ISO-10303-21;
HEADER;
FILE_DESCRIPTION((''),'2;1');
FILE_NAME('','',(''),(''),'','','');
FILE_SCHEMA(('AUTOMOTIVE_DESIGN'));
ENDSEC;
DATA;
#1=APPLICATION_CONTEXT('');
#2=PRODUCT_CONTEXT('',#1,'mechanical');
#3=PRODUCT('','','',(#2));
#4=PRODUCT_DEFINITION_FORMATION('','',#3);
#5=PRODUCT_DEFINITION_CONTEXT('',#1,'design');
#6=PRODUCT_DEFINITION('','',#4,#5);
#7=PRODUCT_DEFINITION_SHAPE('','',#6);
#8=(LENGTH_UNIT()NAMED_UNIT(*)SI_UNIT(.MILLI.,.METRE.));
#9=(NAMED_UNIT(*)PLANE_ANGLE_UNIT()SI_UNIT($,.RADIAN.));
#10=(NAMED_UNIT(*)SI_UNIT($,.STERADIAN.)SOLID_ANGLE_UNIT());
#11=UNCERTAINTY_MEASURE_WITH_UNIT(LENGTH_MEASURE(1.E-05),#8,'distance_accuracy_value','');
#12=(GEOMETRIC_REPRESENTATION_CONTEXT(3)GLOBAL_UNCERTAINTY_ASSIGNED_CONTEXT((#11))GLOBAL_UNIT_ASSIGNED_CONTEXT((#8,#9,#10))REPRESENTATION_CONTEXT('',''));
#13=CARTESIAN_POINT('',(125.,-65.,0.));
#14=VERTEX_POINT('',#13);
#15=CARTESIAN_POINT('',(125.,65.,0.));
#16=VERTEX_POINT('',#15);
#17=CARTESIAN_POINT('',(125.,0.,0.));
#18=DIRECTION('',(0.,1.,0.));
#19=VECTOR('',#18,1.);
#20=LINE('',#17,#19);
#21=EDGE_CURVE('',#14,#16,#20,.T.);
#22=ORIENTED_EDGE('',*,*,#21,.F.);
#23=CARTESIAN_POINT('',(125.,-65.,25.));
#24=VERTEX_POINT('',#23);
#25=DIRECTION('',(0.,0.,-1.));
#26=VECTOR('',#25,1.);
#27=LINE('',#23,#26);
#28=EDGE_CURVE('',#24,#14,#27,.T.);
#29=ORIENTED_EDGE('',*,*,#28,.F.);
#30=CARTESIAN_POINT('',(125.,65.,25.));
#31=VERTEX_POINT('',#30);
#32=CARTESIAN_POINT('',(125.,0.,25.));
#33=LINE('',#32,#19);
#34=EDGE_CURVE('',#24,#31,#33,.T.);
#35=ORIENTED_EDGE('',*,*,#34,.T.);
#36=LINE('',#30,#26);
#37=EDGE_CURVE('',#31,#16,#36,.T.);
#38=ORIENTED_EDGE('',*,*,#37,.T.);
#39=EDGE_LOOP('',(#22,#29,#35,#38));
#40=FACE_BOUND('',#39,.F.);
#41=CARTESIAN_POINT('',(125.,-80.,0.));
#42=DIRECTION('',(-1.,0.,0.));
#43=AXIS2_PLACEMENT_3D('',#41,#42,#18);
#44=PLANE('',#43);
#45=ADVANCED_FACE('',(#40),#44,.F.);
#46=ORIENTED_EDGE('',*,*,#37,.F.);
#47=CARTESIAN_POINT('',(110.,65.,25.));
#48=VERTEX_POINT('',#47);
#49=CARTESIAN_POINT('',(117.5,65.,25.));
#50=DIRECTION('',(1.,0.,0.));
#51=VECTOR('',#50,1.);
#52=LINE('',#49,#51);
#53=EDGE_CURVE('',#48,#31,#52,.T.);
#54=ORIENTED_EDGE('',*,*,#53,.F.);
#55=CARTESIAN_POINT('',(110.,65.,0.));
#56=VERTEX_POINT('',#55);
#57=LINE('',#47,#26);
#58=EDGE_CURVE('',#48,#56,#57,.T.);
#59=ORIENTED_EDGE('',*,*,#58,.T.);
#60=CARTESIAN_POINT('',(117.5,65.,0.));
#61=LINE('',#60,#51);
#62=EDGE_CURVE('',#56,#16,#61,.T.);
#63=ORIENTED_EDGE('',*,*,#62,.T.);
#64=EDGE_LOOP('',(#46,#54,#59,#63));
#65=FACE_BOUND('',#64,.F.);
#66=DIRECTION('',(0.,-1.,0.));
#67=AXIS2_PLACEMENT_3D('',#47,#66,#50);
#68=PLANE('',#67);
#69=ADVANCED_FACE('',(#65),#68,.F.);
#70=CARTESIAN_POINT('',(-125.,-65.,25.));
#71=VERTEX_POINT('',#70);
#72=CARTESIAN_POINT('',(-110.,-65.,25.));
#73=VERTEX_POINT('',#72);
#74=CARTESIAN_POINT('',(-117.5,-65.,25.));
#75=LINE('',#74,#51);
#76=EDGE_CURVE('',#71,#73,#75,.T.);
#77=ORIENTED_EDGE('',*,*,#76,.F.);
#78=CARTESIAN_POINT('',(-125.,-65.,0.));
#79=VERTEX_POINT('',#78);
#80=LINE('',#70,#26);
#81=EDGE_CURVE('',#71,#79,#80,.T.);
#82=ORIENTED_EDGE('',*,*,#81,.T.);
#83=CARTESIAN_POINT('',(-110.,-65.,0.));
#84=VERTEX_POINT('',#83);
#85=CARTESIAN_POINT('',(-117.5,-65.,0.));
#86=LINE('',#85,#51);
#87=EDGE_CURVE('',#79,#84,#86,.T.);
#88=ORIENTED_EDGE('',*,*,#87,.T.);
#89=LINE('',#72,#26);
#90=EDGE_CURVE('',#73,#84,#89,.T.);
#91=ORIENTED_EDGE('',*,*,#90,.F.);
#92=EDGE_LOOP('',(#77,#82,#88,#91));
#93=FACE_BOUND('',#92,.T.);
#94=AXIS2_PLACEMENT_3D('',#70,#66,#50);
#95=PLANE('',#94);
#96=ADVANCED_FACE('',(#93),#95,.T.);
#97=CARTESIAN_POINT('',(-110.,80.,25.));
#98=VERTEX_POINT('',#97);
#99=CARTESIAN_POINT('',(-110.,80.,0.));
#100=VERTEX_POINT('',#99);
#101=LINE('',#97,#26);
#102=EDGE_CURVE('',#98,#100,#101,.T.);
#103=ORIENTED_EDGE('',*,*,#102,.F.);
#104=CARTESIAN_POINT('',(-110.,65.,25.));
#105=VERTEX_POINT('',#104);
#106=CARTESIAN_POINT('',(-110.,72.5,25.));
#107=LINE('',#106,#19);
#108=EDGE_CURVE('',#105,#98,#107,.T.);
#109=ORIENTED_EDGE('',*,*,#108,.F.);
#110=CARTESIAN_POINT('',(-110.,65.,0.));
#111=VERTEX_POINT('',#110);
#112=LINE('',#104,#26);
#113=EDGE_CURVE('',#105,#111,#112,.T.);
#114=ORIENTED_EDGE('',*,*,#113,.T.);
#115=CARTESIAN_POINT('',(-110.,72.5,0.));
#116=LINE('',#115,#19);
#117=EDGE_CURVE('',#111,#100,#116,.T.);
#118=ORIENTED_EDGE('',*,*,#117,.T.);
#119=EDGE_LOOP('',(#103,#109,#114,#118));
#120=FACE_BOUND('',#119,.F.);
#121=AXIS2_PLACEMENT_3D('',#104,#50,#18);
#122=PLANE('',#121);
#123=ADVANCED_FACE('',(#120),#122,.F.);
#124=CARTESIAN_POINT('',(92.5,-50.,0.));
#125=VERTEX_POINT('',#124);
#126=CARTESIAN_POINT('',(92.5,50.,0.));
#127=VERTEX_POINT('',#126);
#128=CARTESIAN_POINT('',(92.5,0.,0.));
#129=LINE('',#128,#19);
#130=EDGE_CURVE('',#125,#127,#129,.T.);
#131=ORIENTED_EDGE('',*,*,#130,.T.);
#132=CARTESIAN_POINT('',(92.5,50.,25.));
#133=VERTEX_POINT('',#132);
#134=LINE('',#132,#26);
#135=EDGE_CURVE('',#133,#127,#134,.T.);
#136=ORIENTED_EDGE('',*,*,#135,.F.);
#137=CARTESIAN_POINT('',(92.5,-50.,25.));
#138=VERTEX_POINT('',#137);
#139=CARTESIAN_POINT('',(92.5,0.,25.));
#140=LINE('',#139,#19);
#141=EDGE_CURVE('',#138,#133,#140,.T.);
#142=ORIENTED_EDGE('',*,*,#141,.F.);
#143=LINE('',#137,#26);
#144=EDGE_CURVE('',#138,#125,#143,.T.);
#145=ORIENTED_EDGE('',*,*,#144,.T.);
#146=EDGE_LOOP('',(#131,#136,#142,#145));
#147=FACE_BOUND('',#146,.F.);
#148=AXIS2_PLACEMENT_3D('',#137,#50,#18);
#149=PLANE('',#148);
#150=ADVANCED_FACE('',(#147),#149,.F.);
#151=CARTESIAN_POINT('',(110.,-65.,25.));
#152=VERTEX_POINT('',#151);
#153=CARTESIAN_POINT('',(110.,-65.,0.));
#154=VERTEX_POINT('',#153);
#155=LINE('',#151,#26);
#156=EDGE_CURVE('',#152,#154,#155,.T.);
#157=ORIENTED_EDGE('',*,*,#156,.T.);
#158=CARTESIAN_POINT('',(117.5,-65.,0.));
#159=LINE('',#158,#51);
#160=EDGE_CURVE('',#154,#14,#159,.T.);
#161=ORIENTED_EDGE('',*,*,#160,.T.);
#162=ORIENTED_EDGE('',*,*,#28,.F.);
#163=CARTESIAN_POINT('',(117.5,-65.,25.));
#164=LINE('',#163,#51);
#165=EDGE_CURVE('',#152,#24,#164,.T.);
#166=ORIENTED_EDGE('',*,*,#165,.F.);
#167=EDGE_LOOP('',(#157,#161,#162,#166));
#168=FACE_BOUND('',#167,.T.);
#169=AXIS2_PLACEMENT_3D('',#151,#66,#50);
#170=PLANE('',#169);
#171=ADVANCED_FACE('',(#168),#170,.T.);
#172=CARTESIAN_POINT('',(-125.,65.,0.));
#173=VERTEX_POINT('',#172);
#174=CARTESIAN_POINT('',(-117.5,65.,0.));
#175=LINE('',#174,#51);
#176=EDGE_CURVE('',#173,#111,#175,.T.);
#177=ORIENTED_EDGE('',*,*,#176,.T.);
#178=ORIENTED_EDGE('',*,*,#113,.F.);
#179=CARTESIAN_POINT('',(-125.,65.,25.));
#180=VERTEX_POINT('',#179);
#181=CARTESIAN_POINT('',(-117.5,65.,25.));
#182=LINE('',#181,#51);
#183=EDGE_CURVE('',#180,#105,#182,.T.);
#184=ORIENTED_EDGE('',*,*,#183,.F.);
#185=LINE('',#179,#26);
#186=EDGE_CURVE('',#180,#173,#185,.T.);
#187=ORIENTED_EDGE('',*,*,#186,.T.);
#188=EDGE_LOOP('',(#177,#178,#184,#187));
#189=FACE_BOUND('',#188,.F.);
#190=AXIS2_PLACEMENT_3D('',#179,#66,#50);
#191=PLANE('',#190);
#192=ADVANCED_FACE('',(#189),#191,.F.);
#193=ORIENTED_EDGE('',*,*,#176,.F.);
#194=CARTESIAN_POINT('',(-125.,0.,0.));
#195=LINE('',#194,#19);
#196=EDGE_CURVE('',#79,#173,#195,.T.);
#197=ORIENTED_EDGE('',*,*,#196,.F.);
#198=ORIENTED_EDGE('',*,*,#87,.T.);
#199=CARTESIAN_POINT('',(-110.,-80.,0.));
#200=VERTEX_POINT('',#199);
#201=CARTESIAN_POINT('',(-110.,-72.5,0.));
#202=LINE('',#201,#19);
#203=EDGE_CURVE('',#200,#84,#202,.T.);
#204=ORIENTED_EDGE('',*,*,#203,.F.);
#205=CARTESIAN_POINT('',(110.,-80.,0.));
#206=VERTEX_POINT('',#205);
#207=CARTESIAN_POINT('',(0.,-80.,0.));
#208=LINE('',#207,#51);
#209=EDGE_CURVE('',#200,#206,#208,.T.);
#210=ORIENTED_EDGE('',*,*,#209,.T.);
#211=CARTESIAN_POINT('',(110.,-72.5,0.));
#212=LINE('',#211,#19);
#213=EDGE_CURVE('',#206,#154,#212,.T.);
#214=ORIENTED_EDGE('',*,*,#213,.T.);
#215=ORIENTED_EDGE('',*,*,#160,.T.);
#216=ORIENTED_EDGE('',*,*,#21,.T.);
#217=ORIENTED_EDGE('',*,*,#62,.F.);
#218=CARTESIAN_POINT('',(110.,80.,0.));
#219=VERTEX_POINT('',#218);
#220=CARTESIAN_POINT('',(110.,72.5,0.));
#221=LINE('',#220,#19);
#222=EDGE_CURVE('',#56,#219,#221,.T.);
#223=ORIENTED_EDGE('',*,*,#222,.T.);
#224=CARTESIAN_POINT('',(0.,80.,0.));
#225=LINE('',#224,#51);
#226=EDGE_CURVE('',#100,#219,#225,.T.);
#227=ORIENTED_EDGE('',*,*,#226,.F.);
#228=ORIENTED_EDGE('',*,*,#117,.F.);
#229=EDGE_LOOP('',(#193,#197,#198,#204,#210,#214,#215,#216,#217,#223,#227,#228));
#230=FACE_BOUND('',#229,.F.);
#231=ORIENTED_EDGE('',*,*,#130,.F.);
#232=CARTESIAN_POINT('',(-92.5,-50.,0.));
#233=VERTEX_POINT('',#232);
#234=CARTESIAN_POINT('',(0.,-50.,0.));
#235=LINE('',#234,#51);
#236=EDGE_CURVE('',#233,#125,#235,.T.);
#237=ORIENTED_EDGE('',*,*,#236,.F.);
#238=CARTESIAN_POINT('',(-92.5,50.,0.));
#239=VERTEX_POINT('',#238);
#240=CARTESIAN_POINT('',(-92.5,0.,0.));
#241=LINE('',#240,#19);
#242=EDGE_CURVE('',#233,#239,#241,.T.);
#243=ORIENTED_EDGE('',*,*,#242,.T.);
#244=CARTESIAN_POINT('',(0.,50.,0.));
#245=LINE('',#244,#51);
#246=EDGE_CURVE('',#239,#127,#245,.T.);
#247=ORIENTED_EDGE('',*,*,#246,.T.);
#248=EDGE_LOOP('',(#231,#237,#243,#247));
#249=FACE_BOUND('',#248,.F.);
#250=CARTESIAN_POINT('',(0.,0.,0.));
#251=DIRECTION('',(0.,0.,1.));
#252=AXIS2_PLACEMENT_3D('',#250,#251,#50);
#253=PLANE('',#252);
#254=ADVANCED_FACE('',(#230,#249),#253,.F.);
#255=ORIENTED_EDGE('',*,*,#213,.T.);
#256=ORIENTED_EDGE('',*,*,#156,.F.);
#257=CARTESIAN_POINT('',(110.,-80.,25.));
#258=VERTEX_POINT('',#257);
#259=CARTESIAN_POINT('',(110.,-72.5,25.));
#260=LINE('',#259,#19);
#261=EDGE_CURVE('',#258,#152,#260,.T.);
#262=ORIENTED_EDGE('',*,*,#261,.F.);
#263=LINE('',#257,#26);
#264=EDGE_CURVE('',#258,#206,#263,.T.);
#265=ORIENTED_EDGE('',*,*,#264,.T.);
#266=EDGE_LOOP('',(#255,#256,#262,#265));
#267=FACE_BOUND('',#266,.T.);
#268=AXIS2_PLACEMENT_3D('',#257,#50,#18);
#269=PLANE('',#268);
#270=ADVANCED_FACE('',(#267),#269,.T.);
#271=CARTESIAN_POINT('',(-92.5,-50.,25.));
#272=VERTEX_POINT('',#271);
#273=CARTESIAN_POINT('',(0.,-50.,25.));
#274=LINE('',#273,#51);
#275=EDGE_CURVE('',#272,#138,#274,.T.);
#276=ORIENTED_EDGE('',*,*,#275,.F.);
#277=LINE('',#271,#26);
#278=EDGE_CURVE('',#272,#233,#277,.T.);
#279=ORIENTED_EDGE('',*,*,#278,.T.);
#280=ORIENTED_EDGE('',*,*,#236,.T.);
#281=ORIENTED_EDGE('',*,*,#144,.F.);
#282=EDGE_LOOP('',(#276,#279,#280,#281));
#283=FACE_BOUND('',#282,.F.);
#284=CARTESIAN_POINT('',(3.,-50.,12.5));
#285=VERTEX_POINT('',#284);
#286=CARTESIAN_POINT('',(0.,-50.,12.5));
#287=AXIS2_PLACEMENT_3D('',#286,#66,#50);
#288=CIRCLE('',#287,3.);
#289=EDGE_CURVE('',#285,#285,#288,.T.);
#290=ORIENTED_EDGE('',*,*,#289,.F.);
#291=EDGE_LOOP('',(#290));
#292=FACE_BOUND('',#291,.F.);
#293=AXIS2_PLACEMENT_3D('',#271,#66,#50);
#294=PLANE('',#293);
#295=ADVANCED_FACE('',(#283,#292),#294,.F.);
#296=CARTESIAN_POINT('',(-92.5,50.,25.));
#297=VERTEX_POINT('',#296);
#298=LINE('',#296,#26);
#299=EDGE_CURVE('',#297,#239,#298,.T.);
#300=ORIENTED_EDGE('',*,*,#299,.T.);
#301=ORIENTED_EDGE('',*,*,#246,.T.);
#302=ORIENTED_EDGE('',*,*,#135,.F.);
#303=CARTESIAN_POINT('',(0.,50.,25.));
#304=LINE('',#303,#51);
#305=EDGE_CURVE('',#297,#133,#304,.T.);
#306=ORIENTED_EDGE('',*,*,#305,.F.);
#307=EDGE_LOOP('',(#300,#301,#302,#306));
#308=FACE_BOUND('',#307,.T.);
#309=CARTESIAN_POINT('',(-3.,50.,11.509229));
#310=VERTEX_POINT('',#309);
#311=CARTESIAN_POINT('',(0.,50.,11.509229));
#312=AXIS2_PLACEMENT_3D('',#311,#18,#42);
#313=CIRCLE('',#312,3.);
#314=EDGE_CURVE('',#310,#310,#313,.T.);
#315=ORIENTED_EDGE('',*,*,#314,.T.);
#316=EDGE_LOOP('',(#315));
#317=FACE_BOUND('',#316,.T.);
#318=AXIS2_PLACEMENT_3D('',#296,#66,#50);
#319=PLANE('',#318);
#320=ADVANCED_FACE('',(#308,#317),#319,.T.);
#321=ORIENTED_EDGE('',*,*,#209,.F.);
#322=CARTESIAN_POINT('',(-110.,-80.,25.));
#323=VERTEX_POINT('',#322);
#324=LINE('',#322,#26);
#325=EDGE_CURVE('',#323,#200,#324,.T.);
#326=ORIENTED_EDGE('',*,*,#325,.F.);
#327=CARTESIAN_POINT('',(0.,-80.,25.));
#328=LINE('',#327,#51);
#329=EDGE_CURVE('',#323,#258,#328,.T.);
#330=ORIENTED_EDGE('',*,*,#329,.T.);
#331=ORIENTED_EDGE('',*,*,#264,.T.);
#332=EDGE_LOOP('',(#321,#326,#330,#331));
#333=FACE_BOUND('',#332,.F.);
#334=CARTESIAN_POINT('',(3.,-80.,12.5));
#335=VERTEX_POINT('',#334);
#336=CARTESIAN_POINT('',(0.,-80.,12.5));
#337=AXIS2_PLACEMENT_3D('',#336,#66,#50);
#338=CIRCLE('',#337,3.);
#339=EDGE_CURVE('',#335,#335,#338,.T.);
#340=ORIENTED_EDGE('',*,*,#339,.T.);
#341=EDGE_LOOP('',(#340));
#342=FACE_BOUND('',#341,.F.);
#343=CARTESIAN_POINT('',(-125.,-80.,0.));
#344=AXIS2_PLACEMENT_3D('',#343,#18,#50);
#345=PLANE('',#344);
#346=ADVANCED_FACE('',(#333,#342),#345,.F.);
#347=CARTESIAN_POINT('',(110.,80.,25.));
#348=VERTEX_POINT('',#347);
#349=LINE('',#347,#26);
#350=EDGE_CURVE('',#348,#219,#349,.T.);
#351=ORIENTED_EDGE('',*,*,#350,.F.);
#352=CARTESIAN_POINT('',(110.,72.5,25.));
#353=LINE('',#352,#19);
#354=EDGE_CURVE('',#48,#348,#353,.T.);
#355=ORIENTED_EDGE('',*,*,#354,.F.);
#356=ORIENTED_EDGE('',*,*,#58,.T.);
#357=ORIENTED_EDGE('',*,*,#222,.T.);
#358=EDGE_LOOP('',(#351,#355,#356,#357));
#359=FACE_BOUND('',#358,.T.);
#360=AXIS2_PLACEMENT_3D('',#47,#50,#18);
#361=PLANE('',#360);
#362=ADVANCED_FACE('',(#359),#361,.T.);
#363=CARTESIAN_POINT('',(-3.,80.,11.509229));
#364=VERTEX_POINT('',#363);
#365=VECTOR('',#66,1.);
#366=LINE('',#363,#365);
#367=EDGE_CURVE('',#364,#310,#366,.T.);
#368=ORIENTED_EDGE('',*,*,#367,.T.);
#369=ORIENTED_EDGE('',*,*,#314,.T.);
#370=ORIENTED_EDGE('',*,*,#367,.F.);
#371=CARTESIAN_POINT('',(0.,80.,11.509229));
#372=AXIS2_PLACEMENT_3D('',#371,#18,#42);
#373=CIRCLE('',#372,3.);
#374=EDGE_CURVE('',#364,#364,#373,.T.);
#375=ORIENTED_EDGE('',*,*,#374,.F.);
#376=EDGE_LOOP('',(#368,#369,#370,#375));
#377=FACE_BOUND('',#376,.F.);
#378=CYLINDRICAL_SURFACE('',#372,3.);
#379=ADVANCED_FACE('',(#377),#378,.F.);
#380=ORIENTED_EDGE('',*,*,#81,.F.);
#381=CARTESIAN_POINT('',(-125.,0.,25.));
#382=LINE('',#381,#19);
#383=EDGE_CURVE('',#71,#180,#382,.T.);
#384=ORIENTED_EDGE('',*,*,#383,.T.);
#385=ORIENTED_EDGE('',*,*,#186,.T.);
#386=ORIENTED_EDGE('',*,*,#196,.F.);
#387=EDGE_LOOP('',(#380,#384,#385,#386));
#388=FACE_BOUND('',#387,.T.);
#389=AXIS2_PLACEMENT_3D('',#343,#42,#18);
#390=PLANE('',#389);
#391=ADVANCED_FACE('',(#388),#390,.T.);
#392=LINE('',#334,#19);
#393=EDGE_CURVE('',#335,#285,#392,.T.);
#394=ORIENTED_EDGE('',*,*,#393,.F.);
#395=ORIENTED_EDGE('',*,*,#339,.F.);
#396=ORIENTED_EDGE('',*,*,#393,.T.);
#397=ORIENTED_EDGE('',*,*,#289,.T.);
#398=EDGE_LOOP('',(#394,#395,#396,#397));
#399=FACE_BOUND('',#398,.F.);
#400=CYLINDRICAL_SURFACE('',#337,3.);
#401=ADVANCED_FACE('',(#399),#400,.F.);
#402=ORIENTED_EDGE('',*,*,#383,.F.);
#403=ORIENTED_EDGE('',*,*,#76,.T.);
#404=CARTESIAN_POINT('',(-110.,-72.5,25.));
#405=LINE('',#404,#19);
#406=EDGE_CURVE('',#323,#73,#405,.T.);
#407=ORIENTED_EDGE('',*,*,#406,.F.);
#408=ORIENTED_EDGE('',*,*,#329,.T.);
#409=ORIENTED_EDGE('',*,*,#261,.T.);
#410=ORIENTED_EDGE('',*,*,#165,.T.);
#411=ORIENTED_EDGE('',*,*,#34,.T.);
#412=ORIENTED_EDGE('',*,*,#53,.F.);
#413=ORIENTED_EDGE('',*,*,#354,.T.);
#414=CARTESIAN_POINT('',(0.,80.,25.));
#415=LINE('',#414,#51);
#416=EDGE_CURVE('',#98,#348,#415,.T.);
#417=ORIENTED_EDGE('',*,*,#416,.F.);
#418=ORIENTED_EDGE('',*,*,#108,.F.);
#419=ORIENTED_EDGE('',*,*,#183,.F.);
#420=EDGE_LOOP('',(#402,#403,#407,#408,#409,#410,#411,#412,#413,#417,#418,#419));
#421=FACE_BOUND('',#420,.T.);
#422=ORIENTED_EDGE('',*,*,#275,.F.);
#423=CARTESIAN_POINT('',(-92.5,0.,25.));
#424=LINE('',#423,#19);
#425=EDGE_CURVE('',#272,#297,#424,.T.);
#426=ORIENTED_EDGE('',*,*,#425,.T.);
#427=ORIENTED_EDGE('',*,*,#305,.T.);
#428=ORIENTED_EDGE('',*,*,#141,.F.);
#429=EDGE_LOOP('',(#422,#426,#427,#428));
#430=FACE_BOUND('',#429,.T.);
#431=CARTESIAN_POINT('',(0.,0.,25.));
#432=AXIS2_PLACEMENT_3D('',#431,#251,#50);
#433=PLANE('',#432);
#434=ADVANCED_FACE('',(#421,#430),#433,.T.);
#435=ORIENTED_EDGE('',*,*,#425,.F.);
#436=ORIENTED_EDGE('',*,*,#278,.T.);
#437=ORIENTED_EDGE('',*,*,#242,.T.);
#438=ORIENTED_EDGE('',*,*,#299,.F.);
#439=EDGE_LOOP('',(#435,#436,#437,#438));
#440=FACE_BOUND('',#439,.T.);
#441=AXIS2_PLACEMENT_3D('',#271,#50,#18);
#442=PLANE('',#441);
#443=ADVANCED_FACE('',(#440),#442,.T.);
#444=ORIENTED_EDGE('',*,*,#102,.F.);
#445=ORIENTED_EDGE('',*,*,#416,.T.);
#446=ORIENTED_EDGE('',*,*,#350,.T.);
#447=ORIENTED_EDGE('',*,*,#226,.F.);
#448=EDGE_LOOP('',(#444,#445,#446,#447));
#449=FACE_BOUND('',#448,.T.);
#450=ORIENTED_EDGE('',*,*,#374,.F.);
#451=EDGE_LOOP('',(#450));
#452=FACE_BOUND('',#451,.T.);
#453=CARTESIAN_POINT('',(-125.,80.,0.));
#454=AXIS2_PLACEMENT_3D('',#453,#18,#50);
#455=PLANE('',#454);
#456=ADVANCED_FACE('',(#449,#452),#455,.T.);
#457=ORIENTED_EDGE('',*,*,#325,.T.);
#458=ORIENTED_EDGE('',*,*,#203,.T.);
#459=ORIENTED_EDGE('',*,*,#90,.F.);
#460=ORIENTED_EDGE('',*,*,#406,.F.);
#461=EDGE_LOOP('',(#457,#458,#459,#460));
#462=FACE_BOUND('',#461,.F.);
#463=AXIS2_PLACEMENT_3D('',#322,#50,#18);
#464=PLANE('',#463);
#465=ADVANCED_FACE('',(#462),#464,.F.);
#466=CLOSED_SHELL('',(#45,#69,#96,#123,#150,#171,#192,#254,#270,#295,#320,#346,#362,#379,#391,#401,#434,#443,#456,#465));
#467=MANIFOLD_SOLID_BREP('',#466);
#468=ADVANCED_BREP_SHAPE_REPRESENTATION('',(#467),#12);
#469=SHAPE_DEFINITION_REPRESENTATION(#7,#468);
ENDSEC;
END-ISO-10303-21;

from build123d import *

# Parameters (mm, degrees)
F0_W     = 250
F0_H     = 160
F1_DEPTH = 25
F2_W     = 15
F2_H     = 15
F3_DEPTH = 25
F4_W     = 185
F4_H     = 100
F5_DEPTH = 25
F6_R     = 3
F7_DEPTH = 40
F8_R     = 3
F9_DEPTH = 40


with BuildPart() as f1:
    # F0 (on Top) → F1 (new body)
    with BuildSketch(Plane.XY):
        Rectangle(F0_W, F0_H)
    extrude(amount=F1_DEPTH)

    # F2 (on face) → F3 (cut)
    with BuildSketch(Plane.XY.offset(25)):
        with Locations((-117.5, 72.5)):
            Rectangle(F2_W, F2_H)
        with Locations((117.5, 72.5)):
            Rectangle(F2_W, F2_H)
        with Locations((117.5, -72.5)):
            Rectangle(F2_W, F2_H)
        with Locations((-117.5, -72.5)):
            Rectangle(F2_W, F2_H)
    extrude(amount=-F3_DEPTH, mode=Mode.SUBTRACT)

    # F4 (on face) → F5 (cut)
    with BuildSketch(Plane.XY.offset(25)):
        Rectangle(F4_W, F4_H)
    extrude(amount=-F5_DEPTH, mode=Mode.SUBTRACT)

    # F6 (on face) → F7 (cut)
    with BuildSketch(Plane.XZ.offset(80)):
        with Locations((0, 12.5)):
            Circle(F6_R)
    extrude(amount=-F7_DEPTH, mode=Mode.SUBTRACT)

    # F8 (on face) → F9 (cut)
    with BuildSketch(Plane(origin=(0, 80, 0), x_dir=(-1, 0, 0), z_dir=(0, 1, 0))):
        with Locations((0, 11.509229)):
            Circle(F8_R)
    extrude(amount=-F9_DEPTH, mode=Mode.SUBTRACT)


solid = f1.part
